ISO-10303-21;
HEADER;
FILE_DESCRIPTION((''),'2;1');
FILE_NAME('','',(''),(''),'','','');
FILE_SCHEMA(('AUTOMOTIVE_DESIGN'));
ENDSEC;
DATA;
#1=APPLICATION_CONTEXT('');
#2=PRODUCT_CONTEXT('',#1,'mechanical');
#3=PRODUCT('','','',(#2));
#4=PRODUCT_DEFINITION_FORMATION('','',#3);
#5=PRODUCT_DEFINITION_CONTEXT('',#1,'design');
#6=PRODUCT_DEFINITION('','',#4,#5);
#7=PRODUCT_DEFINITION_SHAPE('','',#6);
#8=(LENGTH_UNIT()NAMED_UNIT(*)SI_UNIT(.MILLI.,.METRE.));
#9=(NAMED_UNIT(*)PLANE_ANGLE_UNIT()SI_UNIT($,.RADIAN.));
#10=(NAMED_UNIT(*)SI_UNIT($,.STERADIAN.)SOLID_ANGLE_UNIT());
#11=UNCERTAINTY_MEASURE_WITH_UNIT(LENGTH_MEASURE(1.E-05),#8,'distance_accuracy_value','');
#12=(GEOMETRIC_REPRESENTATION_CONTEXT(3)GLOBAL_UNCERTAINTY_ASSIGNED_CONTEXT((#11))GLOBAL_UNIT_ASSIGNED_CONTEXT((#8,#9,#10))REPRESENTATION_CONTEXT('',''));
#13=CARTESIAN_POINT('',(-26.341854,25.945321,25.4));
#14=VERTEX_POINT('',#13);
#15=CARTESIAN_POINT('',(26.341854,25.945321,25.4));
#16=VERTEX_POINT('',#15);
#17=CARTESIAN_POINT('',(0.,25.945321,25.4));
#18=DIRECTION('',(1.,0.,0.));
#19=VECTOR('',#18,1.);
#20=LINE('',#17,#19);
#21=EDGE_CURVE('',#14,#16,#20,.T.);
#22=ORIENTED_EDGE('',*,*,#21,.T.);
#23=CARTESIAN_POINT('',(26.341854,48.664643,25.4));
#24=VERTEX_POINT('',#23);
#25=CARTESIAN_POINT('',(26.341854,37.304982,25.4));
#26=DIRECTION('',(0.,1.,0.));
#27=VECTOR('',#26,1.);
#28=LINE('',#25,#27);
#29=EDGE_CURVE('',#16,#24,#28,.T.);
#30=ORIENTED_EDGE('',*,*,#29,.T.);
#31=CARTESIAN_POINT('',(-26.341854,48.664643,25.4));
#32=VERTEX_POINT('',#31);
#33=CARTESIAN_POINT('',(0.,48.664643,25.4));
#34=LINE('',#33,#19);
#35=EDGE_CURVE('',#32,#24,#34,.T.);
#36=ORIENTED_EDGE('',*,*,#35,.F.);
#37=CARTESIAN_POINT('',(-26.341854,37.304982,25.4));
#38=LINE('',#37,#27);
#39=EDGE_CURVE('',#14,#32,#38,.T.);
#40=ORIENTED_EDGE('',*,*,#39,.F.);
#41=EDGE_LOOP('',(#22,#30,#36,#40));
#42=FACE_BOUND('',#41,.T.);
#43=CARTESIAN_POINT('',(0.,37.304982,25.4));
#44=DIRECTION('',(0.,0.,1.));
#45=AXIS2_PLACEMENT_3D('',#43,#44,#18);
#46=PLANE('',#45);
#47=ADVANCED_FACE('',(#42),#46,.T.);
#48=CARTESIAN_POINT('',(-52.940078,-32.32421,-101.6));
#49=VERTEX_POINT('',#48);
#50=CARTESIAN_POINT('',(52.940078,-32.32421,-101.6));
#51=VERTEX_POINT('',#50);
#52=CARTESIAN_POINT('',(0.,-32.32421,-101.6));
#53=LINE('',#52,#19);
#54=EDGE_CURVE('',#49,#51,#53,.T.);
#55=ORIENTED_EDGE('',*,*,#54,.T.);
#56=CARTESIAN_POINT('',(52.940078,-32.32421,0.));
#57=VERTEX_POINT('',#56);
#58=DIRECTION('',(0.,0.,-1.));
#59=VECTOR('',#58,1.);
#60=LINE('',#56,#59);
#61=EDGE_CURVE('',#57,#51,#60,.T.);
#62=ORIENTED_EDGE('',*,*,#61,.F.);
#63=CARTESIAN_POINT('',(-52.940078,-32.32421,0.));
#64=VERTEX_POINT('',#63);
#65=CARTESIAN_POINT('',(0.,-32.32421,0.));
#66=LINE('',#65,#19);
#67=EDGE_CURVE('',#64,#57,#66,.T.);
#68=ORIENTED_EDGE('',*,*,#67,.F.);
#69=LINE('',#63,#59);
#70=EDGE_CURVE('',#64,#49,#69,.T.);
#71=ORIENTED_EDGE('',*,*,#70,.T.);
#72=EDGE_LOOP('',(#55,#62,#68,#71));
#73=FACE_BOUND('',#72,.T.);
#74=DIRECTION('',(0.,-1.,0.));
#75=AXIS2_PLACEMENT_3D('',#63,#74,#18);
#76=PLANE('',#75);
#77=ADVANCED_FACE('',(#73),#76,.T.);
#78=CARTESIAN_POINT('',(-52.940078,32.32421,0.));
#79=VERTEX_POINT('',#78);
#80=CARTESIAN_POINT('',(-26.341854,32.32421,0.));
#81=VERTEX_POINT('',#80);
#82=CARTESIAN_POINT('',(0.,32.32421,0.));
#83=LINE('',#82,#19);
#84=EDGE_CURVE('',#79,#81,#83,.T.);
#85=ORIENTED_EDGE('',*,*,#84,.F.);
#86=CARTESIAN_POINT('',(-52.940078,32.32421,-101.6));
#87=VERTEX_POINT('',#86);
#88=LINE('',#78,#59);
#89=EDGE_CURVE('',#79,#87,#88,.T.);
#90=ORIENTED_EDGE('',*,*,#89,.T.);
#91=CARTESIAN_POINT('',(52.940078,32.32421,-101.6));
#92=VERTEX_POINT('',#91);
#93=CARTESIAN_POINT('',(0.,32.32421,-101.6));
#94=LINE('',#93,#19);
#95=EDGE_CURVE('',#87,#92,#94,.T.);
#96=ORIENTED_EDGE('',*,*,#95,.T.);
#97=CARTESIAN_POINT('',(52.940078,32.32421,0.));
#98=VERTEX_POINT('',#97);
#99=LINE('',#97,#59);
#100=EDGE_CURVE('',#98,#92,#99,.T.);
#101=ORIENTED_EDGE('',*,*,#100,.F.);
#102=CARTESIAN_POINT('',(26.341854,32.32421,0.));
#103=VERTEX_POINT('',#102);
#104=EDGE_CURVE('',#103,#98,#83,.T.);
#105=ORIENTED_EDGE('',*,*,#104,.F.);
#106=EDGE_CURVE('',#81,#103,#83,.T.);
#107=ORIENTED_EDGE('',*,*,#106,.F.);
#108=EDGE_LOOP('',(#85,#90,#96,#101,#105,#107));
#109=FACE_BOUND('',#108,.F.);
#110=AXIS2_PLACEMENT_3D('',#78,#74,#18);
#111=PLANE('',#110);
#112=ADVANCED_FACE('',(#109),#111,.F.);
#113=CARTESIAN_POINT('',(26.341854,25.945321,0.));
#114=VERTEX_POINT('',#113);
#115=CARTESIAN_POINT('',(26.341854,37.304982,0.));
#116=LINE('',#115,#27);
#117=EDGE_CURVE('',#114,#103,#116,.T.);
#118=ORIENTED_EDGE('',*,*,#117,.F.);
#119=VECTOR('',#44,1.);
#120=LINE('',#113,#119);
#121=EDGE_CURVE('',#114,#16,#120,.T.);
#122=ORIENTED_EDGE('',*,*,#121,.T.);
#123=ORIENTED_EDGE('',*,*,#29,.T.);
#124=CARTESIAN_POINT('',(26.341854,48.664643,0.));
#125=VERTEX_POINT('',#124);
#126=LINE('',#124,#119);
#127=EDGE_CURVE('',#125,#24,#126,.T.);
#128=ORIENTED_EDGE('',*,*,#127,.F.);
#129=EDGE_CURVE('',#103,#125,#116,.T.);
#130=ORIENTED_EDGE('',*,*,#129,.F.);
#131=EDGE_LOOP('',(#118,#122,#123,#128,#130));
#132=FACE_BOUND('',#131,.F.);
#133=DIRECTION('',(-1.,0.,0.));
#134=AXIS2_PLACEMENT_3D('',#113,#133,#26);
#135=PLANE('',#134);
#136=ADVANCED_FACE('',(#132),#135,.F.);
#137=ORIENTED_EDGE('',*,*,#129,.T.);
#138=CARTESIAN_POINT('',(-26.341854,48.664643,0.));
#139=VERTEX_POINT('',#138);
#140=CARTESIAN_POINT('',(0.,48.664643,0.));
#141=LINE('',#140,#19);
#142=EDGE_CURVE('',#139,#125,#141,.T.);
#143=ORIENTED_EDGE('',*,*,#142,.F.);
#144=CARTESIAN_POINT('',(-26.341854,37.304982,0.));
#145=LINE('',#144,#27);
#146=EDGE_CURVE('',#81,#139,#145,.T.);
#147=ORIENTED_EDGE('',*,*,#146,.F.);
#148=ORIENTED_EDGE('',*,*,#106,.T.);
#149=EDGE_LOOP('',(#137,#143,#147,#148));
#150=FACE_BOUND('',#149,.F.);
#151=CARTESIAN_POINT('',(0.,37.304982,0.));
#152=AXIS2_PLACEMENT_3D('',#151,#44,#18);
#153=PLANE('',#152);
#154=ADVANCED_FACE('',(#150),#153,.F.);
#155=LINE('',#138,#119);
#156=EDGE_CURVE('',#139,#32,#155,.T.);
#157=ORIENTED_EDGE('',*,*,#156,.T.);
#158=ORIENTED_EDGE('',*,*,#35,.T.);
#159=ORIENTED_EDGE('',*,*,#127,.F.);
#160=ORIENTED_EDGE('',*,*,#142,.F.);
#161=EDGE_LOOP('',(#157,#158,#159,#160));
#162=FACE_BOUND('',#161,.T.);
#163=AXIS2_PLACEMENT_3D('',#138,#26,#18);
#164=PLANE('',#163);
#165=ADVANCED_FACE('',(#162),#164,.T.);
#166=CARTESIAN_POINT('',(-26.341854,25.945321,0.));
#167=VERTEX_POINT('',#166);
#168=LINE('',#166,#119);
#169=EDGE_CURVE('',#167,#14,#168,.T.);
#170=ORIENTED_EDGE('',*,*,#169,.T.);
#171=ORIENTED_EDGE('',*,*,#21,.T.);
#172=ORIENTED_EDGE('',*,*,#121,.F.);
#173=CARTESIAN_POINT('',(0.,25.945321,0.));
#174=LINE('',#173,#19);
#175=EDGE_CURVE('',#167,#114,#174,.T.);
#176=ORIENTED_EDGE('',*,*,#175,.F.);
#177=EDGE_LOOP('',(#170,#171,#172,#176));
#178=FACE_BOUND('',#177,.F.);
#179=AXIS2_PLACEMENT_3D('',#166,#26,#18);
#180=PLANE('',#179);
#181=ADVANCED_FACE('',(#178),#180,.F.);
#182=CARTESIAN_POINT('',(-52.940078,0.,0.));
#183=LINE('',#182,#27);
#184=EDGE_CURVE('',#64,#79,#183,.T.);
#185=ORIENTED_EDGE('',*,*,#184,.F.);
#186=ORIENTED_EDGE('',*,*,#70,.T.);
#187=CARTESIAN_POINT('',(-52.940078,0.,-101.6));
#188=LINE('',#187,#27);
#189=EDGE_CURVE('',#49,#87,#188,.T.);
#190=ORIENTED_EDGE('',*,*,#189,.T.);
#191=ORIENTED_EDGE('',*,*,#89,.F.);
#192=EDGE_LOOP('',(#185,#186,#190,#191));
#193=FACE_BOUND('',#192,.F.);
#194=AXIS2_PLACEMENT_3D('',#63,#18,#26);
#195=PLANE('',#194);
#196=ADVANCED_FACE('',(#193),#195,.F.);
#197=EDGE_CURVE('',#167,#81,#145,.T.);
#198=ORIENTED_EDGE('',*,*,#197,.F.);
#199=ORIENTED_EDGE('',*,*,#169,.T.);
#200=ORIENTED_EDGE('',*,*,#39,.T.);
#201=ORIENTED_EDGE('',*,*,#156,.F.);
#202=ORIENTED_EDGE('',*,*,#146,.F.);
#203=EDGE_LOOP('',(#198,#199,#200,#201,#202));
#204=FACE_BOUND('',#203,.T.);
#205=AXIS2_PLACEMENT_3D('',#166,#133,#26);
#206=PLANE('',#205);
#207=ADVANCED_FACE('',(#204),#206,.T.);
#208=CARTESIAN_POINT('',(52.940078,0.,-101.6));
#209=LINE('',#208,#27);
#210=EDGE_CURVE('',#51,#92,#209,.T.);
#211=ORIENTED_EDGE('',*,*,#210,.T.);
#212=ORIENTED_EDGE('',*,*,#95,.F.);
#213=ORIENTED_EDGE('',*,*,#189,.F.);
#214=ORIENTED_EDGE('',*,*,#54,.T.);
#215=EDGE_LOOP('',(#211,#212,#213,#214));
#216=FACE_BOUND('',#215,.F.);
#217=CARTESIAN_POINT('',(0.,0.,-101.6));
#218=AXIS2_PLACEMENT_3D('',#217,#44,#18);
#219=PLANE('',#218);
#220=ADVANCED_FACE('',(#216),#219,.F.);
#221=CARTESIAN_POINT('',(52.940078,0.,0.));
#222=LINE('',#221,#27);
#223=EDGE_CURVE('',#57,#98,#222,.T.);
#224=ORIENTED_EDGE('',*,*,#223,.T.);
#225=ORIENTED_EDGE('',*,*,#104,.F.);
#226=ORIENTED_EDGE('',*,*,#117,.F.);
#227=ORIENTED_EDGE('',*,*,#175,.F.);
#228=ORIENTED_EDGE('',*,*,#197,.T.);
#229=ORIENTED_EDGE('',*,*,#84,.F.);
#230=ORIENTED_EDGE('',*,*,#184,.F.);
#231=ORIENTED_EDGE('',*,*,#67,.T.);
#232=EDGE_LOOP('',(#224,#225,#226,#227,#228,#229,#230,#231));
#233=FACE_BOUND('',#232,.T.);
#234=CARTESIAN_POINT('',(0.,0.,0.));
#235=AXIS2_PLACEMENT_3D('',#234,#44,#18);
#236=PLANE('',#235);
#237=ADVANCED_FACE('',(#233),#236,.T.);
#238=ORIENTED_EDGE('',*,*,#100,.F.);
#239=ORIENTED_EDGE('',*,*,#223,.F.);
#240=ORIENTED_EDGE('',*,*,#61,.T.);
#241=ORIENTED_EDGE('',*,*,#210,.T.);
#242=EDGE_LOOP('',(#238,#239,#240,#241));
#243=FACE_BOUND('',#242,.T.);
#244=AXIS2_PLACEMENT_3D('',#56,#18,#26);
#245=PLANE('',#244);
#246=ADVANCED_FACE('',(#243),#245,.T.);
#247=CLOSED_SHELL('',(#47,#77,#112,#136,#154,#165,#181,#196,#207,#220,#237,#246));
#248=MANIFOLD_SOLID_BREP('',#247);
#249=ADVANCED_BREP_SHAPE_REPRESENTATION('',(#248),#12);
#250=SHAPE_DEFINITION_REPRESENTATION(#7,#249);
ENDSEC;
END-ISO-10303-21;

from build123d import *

# Parameters (mm, degrees)
F0_W     = 105.880156
F0_H     = 64.64842
F1_DEPTH = 101.6
F2_W     = 52.683708
F2_H     = 22.719323
F3_DEPTH = 25.4


with BuildPart() as f1:
    # F0 (on Top) → F1 (new body)
    with BuildSketch(Plane.XY):
        Rectangle(F0_W, F0_H)
    extrude(amount=-F1_DEPTH)

    # F2 (on Top) → F3 (join)
    with BuildSketch(Plane.XY):
        with Locations((0, 37.304982)):
            Rectangle(F2_W, F2_H)
    extrude(amount=F3_DEPTH)


solid = f1.part
